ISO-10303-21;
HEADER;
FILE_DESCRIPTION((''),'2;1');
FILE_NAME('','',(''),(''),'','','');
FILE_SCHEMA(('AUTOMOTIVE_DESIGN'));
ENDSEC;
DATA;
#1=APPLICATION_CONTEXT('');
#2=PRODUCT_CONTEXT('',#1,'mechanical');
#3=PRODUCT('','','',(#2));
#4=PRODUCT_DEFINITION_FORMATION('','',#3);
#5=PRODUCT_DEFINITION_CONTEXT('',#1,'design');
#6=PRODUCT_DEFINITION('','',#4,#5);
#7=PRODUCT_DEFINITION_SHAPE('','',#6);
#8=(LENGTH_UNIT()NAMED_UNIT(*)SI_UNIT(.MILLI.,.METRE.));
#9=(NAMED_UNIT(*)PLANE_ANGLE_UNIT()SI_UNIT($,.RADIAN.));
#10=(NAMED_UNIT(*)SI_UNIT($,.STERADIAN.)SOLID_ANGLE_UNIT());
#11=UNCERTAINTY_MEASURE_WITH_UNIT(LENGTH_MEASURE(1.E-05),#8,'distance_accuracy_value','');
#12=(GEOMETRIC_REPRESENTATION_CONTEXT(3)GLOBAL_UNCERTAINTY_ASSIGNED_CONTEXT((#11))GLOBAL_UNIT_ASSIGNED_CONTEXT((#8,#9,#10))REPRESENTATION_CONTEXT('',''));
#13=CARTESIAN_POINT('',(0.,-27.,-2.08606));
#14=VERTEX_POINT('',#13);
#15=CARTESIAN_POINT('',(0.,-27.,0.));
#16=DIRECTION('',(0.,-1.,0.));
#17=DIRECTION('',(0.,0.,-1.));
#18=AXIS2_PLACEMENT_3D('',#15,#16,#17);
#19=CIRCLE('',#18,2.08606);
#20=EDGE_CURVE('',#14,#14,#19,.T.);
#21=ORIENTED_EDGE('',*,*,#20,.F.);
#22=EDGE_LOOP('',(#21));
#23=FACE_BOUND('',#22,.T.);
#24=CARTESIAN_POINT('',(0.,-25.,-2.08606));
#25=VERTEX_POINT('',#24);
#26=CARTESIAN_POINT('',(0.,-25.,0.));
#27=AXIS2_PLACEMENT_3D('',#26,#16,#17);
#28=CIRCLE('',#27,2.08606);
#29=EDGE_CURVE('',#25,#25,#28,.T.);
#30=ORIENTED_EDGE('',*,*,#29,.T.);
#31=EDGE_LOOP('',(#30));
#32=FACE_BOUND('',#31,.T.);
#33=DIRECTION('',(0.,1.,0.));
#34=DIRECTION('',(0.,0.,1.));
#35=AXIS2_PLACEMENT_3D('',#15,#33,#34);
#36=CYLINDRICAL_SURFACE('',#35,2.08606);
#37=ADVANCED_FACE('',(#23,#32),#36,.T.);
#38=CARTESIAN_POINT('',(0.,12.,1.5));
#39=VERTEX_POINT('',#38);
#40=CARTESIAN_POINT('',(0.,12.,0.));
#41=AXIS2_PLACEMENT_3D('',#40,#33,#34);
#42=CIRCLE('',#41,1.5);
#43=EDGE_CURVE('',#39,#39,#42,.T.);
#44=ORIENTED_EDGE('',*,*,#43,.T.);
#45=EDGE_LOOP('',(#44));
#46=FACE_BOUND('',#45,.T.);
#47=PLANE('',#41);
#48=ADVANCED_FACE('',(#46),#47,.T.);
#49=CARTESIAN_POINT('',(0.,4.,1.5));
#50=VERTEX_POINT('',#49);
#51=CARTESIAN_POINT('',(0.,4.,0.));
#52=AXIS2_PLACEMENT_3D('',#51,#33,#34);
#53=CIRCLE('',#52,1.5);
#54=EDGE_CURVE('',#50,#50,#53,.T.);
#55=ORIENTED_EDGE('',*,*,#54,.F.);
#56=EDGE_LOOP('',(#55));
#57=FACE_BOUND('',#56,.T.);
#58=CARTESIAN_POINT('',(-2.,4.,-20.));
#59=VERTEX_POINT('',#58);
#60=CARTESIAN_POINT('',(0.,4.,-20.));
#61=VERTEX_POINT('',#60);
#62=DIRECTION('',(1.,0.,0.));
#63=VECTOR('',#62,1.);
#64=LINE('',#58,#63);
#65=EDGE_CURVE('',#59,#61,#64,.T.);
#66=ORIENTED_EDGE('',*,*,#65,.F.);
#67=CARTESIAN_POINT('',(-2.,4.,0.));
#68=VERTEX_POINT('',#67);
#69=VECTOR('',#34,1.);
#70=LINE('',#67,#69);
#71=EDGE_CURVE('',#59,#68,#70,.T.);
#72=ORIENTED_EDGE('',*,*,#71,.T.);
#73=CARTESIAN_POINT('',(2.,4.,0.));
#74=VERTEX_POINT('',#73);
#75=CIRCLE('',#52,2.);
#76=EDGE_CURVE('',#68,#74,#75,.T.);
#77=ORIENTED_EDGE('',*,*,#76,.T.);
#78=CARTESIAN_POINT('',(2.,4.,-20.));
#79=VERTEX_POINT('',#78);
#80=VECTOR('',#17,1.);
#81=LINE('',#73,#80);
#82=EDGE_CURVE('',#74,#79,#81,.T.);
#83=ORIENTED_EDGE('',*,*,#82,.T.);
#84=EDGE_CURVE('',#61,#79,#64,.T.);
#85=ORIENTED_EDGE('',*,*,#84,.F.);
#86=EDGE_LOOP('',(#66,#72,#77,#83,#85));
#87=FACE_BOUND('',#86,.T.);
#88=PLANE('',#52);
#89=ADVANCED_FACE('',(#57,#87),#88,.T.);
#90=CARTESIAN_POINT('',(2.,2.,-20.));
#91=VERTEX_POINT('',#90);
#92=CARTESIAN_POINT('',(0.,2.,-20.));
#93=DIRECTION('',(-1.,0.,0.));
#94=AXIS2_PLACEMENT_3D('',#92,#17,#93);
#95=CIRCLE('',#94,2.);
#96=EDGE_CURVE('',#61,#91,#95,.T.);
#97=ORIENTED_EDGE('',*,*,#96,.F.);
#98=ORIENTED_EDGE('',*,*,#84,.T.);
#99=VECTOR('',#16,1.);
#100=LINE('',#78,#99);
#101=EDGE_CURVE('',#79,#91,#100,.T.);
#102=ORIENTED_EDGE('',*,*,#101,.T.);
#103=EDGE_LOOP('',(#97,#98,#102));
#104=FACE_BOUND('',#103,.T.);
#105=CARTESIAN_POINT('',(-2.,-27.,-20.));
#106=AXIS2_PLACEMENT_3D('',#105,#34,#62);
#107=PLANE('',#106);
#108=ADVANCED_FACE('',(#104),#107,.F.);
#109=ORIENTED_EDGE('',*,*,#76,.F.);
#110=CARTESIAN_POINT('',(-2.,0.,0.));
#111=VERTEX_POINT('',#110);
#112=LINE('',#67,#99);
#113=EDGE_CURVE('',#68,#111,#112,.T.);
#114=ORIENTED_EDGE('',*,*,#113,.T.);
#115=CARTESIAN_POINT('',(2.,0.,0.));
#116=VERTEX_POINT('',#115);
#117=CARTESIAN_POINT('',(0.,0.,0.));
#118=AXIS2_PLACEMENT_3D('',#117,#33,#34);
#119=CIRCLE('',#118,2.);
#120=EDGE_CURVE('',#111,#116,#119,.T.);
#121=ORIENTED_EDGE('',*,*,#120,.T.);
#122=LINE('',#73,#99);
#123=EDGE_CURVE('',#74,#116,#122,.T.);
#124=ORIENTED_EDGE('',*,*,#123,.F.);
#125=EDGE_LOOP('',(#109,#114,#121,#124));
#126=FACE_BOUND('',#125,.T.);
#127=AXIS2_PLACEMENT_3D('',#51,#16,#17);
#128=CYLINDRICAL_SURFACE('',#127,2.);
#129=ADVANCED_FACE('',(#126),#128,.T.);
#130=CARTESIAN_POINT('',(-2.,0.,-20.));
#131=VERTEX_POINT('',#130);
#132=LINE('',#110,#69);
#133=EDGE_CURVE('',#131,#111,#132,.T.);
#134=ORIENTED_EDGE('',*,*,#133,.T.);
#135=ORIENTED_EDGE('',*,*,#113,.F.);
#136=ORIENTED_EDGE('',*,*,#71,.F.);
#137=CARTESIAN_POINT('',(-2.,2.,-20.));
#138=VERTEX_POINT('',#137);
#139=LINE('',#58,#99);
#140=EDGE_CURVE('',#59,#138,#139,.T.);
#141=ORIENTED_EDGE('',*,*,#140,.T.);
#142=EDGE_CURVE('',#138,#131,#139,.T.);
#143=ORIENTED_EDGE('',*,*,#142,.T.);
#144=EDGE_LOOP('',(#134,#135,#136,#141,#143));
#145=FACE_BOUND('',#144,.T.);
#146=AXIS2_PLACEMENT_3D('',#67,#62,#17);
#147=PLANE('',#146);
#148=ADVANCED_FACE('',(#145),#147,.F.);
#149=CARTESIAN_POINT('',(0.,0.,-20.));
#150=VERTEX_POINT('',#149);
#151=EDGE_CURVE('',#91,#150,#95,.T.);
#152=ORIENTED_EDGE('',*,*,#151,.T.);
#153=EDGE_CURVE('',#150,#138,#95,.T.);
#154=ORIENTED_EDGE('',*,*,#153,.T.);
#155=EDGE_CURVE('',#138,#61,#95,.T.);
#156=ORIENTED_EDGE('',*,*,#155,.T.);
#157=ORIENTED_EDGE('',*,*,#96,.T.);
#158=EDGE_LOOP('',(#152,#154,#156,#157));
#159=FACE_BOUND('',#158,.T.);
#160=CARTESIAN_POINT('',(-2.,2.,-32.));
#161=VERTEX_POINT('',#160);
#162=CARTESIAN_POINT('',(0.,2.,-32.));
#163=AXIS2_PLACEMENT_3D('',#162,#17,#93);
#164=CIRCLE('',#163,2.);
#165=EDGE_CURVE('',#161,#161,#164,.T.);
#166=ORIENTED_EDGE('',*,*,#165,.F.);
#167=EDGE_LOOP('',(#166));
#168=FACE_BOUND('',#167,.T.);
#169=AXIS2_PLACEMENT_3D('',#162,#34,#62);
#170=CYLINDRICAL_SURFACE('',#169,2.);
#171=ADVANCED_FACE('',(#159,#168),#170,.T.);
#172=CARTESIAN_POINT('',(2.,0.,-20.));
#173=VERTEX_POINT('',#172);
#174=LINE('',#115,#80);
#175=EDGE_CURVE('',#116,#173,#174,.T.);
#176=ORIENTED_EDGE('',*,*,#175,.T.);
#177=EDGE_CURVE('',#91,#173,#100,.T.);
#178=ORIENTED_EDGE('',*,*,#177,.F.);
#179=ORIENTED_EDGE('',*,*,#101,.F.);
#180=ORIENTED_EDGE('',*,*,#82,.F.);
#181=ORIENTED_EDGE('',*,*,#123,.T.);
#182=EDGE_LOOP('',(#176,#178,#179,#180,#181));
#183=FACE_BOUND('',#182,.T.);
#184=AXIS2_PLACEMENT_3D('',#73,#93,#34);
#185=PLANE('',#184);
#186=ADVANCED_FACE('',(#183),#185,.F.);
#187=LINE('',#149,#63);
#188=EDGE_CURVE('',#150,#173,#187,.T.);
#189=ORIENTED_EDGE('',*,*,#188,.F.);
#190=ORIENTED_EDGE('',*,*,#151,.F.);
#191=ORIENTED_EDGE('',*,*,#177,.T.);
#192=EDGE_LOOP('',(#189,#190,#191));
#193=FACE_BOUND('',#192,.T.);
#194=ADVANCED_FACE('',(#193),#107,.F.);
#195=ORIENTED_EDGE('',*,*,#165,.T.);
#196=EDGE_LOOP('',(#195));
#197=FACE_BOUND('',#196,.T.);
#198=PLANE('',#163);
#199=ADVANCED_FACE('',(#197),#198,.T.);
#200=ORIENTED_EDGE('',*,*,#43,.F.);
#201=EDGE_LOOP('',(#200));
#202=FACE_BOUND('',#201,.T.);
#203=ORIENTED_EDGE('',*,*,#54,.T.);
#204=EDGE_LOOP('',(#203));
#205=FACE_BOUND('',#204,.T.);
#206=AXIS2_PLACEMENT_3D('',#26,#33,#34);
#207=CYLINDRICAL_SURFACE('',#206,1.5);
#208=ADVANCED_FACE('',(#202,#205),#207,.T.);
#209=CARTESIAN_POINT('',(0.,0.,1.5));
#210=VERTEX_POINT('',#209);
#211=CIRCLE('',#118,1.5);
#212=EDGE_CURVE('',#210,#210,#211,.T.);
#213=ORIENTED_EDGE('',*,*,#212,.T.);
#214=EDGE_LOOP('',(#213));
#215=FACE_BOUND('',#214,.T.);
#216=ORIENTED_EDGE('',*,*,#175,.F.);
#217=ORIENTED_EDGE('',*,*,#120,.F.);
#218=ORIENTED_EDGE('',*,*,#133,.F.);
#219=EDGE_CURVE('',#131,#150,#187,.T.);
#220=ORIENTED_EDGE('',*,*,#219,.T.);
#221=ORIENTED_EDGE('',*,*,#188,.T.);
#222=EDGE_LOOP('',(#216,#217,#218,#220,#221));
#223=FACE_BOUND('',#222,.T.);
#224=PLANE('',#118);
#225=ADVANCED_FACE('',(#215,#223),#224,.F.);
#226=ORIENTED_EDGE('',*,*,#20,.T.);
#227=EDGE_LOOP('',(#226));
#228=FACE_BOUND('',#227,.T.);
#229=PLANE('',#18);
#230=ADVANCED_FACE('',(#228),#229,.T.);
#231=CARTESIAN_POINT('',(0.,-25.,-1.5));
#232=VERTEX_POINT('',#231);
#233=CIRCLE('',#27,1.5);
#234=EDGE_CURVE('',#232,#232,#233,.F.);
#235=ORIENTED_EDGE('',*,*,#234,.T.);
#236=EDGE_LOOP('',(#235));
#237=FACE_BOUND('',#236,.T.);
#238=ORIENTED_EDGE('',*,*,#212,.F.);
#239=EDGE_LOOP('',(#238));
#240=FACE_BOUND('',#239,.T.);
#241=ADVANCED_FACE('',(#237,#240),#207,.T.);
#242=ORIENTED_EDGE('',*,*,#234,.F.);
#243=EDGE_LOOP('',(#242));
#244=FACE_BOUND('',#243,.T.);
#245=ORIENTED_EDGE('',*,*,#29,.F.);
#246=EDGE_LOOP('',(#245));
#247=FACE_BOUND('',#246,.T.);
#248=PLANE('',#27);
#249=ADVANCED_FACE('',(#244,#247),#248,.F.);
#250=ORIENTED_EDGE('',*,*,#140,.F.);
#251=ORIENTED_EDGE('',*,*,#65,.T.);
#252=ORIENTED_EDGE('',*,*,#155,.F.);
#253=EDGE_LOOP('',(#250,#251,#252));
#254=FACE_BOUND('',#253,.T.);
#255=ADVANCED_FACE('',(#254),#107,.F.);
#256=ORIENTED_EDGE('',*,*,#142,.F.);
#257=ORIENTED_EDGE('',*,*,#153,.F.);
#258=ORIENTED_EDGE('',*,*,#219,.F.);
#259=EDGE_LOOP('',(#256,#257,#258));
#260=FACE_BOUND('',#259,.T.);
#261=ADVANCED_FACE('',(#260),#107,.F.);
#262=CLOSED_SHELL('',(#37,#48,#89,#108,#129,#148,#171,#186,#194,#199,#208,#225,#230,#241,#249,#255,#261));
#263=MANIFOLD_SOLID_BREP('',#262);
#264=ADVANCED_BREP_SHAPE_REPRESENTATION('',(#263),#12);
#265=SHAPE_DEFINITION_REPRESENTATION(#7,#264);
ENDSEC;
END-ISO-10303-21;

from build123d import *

# Parameters (mm, degrees)
BOSS_EXTRUDE1_DEPTH = 4
SKETCH2_R           = 1.5
BOSS_EXTRUDE2_DEPTH = 37
SKETCH3_R           = 2.086060033
BOSS_EXTRUDE3_DEPTH = 2
SKETCH4_W           = 5
SKETCH4_H           = 3.576334768
CUT_EXTRUDE1_DEPTH  = 32
SKETCH5_R           = 2
BOSS_EXTRUDE4_DEPTH = 12


with BuildPart() as part:
    # Sketch1 → Boss-Extrude1 (new body)
    with BuildSketch(Plane(origin=(0, 0, 0), x_dir=(1, 0, 0), z_dir=(0, 1, 0))):
        with BuildLine():
            Line((-2, 0), (-2, 20))
            ThreePointArc((-2, 20), (0, 22), (2, 20))
            Line((2, 20), (2, 0))
            ThreePointArc((2, 0), (0, -2), (-2, 0))
        make_face()
    extrude(amount=BOSS_EXTRUDE1_DEPTH)

    # Sketch2 → Boss-Extrude2 (add)
    with BuildSketch(Plane(origin=(0, 12, 0), x_dir=(1, 0, 0), z_dir=(0, 1, 0))):
        Circle(SKETCH2_R)
    extrude(amount=-BOSS_EXTRUDE2_DEPTH)

    # Sketch3 → Boss-Extrude3 (add)
    with BuildSketch(Plane.XZ.offset(25)):
        Circle(SKETCH3_R)
    extrude(amount=BOSS_EXTRUDE3_DEPTH)

    # Sketch4 → Cut-Extrude1 (cut, through all)
    with BuildSketch(Plane(origin=(0, 4, 0), x_dir=(1, 0, 0), z_dir=(0, 1, 0))):
        with Locations((0.5, 21.788167384)):
            Rectangle(SKETCH4_W, SKETCH4_H)
    extrude(amount=-CUT_EXTRUDE1_DEPTH, mode=Mode.SUBTRACT)

    # Sketch5 → Boss-Extrude4 (add)
    with BuildSketch(Plane(origin=(0, 0, -20), x_dir=(-1, 0, 0), z_dir=(0, 0, -1))):
        with Locations((0, 2)):
            Circle(SKETCH5_R)
    extrude(amount=BOSS_EXTRUDE4_DEPTH)


solid = part.part
